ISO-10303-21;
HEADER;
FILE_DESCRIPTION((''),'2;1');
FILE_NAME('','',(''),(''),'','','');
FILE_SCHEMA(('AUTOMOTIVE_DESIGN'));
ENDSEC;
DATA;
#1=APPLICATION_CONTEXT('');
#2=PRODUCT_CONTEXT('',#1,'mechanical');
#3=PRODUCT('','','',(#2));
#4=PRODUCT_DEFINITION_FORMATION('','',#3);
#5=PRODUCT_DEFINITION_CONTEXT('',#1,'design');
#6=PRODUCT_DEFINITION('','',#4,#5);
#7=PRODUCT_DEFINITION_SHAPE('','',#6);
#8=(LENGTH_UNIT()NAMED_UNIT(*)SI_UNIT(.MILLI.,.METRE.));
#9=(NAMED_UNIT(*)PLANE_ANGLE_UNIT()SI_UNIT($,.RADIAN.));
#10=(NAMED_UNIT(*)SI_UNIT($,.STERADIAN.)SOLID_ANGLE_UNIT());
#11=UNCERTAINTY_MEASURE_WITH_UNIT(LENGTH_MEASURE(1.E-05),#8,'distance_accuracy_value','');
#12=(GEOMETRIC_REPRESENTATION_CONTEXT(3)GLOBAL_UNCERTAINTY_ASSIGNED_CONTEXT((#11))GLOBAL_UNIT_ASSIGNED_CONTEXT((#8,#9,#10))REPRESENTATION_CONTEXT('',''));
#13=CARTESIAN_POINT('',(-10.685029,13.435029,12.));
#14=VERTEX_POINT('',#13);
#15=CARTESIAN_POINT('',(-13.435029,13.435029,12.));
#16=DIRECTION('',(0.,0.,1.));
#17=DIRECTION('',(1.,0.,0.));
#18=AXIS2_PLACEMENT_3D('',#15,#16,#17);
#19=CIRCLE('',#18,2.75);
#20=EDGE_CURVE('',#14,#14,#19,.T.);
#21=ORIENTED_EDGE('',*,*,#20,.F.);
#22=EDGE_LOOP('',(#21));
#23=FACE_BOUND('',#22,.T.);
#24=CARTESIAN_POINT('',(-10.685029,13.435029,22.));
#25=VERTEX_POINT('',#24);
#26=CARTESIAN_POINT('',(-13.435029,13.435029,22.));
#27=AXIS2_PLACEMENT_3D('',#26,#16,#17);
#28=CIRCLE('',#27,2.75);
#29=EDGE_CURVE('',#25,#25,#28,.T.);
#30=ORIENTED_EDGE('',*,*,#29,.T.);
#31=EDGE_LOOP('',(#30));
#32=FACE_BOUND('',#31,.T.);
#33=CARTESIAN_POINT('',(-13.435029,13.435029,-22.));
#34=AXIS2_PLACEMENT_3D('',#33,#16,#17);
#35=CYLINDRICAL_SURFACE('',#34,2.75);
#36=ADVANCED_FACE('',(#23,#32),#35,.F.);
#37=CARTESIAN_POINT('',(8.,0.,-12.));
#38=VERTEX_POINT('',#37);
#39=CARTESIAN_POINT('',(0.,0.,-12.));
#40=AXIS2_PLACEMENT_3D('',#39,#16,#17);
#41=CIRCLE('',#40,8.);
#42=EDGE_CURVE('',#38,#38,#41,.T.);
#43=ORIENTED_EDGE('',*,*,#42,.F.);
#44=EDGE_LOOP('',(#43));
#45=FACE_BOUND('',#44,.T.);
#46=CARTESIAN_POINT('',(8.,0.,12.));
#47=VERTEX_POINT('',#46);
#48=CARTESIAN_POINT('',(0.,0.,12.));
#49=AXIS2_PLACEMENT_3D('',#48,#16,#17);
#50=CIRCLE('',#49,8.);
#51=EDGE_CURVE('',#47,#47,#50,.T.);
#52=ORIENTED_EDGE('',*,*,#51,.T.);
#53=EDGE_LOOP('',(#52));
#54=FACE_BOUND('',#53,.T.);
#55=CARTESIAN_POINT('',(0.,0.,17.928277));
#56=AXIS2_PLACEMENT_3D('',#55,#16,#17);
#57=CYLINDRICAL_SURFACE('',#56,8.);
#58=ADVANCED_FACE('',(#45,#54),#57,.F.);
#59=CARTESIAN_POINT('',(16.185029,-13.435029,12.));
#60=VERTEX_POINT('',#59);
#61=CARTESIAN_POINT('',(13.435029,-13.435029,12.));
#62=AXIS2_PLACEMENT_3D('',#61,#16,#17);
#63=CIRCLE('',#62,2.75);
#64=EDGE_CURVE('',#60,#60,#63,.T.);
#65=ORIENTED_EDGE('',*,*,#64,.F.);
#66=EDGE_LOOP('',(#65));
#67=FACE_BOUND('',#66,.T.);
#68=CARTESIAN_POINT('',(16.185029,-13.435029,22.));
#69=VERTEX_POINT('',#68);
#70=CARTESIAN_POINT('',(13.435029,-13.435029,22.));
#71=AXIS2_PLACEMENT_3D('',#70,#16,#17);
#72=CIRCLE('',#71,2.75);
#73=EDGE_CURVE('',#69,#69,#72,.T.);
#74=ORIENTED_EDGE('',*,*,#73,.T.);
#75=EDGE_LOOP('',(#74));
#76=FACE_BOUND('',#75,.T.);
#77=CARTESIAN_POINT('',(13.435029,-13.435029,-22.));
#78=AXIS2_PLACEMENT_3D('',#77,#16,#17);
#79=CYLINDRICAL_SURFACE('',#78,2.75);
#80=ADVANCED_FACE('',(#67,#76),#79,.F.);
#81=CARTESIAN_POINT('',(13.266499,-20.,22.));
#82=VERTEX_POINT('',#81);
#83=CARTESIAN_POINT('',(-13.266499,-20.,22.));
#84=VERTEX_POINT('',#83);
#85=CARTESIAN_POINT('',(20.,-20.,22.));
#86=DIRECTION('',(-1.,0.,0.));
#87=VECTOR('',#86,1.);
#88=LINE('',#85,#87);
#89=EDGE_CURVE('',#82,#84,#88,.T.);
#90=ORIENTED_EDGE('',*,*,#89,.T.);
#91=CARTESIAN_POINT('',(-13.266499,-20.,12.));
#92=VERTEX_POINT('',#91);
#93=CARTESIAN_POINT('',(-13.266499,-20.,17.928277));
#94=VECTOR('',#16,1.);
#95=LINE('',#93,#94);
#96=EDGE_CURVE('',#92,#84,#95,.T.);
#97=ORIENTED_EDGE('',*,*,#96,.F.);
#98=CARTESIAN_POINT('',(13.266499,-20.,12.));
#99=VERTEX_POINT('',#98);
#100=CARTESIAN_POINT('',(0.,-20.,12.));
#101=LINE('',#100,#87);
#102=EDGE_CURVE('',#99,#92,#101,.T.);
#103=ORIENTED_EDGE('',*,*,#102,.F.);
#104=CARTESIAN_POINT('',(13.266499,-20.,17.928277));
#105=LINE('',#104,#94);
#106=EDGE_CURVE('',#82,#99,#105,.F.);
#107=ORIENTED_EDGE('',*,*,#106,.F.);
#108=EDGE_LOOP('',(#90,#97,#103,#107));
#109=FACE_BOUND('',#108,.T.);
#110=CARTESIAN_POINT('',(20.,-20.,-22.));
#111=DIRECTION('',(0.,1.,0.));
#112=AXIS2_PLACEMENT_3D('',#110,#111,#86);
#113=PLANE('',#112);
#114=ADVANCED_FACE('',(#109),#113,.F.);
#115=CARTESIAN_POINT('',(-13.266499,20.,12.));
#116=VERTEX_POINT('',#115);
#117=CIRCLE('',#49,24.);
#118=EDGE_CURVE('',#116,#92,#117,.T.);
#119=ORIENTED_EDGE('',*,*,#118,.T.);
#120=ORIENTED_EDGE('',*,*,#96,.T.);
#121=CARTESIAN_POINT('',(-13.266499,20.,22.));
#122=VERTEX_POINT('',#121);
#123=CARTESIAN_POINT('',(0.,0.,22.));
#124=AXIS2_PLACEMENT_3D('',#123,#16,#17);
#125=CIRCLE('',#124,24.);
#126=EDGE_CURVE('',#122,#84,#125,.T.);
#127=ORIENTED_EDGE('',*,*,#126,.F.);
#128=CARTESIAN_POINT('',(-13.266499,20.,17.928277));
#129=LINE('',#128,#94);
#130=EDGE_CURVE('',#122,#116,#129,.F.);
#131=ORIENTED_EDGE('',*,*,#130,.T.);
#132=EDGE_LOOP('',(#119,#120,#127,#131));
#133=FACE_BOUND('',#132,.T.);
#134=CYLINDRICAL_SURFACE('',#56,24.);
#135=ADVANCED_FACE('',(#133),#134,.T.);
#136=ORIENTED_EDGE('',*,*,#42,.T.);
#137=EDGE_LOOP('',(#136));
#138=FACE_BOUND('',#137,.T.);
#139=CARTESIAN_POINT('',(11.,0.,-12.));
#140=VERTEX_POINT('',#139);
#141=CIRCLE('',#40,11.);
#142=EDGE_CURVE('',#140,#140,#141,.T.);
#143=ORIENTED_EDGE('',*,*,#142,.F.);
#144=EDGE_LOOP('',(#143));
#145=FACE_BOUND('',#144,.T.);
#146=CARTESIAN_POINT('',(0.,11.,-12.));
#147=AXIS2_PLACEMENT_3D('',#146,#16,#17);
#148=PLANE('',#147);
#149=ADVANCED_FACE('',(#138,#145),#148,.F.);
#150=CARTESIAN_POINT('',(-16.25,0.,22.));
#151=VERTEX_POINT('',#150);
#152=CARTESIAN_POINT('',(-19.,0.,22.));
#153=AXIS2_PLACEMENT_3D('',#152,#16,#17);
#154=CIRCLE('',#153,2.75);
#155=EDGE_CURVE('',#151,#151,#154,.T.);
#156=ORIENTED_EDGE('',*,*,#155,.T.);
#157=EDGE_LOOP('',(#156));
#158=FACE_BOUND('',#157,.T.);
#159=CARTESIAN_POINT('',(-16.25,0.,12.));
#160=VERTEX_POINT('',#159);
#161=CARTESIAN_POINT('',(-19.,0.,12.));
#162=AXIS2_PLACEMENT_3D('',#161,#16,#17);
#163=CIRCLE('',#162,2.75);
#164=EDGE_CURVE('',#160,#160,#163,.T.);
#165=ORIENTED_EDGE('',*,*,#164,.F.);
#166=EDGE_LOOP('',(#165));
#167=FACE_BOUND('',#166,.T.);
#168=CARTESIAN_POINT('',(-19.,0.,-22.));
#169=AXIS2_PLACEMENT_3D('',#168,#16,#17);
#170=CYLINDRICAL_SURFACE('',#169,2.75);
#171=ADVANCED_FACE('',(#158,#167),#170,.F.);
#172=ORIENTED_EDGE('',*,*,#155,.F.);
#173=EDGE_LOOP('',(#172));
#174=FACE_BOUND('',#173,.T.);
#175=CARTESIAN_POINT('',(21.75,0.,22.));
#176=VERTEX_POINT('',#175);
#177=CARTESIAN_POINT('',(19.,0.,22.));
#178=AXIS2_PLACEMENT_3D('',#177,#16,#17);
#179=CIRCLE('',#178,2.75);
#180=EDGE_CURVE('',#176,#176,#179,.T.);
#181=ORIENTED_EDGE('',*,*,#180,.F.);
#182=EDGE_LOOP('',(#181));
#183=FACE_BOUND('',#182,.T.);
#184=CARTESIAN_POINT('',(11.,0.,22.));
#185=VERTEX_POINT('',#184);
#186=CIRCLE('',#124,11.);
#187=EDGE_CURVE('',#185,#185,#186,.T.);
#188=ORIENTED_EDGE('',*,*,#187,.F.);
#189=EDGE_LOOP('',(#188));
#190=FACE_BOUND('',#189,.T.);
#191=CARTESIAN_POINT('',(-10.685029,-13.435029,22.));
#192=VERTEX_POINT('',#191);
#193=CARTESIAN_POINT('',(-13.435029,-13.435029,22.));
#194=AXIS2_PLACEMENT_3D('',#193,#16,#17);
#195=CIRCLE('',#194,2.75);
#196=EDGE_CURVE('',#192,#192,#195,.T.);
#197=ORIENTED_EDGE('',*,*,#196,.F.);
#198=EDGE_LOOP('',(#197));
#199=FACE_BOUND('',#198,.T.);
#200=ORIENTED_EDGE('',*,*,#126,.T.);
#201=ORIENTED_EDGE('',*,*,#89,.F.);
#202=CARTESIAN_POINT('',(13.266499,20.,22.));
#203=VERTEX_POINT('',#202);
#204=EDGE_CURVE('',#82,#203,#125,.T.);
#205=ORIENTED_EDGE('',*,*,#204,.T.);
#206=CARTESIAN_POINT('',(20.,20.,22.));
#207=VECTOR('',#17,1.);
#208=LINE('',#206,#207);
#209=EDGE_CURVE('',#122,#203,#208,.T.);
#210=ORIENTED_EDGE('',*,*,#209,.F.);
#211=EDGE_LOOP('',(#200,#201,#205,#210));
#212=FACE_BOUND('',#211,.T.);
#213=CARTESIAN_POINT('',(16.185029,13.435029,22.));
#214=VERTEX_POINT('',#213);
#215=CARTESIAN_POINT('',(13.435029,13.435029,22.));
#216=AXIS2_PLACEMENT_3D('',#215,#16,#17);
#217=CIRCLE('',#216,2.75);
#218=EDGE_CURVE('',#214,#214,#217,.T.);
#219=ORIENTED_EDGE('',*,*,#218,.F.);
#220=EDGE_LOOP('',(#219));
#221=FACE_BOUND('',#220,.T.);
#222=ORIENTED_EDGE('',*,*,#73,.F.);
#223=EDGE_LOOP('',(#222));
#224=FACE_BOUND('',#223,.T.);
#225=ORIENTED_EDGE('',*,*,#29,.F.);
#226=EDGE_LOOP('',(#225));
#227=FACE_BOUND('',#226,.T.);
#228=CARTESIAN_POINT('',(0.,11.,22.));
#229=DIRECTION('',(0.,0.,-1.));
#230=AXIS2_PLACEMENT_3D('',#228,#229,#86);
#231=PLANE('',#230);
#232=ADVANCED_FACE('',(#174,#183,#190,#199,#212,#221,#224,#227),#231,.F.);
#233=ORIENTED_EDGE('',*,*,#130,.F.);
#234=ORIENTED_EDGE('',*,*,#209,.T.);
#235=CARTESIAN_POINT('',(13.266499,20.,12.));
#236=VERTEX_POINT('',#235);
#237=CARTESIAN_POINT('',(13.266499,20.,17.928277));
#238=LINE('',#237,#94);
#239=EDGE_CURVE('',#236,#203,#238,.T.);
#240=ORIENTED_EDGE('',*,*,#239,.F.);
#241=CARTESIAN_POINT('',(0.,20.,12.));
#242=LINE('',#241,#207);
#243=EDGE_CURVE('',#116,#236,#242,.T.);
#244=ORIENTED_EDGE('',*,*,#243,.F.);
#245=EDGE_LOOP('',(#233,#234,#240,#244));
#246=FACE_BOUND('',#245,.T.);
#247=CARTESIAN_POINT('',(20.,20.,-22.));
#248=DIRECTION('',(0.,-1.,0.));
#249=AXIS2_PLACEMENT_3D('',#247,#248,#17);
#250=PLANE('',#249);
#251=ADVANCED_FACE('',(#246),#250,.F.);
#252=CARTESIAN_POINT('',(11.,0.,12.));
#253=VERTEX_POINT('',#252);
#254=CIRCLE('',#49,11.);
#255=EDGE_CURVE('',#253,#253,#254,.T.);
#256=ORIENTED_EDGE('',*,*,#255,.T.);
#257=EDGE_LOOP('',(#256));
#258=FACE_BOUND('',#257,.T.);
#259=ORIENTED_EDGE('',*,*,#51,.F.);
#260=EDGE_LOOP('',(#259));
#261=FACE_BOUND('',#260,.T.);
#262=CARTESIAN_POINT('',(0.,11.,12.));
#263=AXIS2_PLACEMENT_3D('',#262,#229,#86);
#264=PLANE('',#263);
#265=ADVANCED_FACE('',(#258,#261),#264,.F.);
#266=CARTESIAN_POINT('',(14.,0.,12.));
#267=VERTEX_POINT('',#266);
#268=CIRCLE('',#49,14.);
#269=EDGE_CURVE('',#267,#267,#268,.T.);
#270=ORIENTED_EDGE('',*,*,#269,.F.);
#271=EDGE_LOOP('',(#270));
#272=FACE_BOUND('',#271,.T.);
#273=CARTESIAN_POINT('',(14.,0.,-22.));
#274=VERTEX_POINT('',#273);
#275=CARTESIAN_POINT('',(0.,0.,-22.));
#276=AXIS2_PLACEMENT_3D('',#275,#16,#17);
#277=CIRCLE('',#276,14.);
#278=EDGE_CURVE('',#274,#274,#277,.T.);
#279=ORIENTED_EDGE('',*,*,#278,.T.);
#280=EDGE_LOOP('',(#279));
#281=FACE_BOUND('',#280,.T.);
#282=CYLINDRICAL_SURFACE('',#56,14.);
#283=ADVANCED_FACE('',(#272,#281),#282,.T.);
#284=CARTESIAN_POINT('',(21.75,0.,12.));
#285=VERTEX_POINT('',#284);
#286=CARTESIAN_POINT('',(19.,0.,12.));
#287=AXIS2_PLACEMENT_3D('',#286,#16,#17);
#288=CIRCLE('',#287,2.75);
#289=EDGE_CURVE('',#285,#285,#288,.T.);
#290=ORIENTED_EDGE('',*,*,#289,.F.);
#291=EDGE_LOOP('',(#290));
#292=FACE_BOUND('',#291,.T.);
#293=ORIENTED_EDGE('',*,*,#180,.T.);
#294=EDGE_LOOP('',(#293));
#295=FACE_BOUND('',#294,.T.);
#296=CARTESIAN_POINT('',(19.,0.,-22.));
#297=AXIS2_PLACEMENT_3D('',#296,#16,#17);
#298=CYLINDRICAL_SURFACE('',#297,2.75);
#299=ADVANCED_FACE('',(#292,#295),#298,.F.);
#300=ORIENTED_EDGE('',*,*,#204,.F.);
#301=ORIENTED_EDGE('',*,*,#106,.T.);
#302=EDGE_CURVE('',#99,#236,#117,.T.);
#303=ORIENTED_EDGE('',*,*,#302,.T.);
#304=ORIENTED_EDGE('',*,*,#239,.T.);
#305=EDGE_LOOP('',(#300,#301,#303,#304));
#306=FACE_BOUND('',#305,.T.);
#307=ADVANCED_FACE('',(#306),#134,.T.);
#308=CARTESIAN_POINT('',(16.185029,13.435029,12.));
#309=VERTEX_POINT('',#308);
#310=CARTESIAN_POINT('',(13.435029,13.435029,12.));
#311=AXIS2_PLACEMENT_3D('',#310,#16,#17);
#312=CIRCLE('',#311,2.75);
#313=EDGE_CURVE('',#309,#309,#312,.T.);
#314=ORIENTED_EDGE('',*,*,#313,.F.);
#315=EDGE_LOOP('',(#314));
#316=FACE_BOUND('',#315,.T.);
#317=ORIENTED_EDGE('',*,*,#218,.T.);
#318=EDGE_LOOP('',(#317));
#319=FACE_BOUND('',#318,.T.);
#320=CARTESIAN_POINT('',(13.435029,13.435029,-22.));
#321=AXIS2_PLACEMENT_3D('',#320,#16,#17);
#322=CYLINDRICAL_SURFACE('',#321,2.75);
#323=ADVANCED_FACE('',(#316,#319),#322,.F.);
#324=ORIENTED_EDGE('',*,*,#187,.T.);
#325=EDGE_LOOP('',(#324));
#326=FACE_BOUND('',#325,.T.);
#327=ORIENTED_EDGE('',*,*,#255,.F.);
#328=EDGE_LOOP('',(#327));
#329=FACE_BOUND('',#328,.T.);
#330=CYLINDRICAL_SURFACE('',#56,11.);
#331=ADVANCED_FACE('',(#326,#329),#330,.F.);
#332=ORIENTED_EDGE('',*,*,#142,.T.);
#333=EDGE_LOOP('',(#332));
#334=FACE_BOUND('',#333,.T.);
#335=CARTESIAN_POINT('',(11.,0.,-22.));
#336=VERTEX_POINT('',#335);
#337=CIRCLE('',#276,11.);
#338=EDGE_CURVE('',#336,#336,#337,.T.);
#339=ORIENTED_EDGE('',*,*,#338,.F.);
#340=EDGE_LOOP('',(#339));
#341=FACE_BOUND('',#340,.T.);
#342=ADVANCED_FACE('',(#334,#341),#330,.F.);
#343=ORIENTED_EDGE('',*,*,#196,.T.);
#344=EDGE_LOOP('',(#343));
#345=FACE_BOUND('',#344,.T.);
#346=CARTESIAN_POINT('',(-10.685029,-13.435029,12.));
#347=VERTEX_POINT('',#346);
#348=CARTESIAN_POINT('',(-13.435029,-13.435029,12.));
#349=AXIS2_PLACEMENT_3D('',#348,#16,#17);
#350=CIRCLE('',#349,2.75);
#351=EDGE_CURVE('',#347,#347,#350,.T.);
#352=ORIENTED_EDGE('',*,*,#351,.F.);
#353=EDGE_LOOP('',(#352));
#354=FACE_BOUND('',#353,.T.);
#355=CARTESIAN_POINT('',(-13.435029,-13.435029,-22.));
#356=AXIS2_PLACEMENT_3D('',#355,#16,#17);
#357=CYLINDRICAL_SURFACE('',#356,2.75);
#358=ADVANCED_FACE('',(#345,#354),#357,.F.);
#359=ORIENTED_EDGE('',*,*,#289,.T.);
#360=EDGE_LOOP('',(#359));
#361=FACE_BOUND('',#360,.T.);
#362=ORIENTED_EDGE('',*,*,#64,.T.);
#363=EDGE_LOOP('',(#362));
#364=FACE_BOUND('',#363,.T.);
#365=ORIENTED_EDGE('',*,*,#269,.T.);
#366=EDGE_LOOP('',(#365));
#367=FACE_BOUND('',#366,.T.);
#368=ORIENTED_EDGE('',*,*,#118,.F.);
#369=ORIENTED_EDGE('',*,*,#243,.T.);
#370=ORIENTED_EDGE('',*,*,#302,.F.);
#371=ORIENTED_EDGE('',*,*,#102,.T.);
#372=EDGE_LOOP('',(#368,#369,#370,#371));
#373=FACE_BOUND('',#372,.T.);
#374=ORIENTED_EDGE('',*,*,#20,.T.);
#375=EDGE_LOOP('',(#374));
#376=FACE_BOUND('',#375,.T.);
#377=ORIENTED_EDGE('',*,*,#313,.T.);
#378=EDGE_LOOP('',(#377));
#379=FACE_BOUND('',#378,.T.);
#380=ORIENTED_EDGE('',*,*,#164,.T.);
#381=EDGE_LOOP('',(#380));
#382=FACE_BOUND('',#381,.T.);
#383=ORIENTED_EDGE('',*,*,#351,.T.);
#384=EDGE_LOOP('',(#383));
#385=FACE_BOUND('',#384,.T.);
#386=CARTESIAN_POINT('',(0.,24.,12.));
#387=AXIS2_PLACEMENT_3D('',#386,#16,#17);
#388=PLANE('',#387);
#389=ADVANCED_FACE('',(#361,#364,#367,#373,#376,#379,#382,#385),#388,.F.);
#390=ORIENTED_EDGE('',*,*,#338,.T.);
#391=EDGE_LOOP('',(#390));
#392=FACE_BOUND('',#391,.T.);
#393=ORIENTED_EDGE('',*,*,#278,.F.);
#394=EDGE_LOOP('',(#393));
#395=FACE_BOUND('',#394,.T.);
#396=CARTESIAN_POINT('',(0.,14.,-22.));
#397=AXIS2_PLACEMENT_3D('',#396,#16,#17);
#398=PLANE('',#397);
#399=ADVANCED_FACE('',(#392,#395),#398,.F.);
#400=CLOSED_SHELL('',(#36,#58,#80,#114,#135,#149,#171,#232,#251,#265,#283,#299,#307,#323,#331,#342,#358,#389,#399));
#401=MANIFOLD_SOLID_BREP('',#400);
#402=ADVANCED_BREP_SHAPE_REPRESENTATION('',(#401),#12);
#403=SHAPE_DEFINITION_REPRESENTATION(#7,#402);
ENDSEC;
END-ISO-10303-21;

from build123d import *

# Parameters (mm, degrees)
SKETCH5_W          = 40
SKETCH5_H          = 10
CUT_EXTRUDE3_DEPTH = 45
SKETCH6_R          = 2.75
CUT_EXTRUDE4_DEPTH = 45


with BuildPart() as part:
    # Sketch4 → Revolve2 (revolve)
    with BuildSketch(Plane(origin=(0, 0, 0), x_dir=(0, 0, -1), z_dir=(1, 0, 0))):
        Polygon((22, 11), (12, 11), (12, 8), (-12, 8), (-12, 11), (-22, 11), (-22, 24), (-12, 24), (-12, 14), (22, 14), align=None)
    revolve(axis=Axis((0, 0, 17.928277082), (0, 0, -1)))

    # Sketch5 → Cut-Extrude3 (cut, through all)
    with BuildSketch(Plane.XY.offset(22)):
        with Locations((0, 25)):
            Rectangle(SKETCH5_W, SKETCH5_H)
        with Locations((0, -25)):
            Rectangle(SKETCH5_W, SKETCH5_H)
    extrude(amount=-CUT_EXTRUDE3_DEPTH, mode=Mode.SUBTRACT)

    # Sketch6 → Cut-Extrude4 (cut, through all)
    with BuildSketch(Plane.XY.offset(22)):
        with Locations((-19, 0)):
            Circle(SKETCH6_R)
        with Locations((-13.435028843, 13.435028843)):
            Circle(SKETCH6_R)
        with Locations((13.435028843, 13.435028843)):
            Circle(SKETCH6_R)
        with Locations((19, 0)):
            Circle(SKETCH6_R)
        with Locations((13.435028843, -13.435028843)):
            Circle(SKETCH6_R)
        with Locations((-13.435028843, -13.435028843)):
            Circle(SKETCH6_R)
    extrude(amount=-CUT_EXTRUDE4_DEPTH, mode=Mode.SUBTRACT)


solid = part.part
